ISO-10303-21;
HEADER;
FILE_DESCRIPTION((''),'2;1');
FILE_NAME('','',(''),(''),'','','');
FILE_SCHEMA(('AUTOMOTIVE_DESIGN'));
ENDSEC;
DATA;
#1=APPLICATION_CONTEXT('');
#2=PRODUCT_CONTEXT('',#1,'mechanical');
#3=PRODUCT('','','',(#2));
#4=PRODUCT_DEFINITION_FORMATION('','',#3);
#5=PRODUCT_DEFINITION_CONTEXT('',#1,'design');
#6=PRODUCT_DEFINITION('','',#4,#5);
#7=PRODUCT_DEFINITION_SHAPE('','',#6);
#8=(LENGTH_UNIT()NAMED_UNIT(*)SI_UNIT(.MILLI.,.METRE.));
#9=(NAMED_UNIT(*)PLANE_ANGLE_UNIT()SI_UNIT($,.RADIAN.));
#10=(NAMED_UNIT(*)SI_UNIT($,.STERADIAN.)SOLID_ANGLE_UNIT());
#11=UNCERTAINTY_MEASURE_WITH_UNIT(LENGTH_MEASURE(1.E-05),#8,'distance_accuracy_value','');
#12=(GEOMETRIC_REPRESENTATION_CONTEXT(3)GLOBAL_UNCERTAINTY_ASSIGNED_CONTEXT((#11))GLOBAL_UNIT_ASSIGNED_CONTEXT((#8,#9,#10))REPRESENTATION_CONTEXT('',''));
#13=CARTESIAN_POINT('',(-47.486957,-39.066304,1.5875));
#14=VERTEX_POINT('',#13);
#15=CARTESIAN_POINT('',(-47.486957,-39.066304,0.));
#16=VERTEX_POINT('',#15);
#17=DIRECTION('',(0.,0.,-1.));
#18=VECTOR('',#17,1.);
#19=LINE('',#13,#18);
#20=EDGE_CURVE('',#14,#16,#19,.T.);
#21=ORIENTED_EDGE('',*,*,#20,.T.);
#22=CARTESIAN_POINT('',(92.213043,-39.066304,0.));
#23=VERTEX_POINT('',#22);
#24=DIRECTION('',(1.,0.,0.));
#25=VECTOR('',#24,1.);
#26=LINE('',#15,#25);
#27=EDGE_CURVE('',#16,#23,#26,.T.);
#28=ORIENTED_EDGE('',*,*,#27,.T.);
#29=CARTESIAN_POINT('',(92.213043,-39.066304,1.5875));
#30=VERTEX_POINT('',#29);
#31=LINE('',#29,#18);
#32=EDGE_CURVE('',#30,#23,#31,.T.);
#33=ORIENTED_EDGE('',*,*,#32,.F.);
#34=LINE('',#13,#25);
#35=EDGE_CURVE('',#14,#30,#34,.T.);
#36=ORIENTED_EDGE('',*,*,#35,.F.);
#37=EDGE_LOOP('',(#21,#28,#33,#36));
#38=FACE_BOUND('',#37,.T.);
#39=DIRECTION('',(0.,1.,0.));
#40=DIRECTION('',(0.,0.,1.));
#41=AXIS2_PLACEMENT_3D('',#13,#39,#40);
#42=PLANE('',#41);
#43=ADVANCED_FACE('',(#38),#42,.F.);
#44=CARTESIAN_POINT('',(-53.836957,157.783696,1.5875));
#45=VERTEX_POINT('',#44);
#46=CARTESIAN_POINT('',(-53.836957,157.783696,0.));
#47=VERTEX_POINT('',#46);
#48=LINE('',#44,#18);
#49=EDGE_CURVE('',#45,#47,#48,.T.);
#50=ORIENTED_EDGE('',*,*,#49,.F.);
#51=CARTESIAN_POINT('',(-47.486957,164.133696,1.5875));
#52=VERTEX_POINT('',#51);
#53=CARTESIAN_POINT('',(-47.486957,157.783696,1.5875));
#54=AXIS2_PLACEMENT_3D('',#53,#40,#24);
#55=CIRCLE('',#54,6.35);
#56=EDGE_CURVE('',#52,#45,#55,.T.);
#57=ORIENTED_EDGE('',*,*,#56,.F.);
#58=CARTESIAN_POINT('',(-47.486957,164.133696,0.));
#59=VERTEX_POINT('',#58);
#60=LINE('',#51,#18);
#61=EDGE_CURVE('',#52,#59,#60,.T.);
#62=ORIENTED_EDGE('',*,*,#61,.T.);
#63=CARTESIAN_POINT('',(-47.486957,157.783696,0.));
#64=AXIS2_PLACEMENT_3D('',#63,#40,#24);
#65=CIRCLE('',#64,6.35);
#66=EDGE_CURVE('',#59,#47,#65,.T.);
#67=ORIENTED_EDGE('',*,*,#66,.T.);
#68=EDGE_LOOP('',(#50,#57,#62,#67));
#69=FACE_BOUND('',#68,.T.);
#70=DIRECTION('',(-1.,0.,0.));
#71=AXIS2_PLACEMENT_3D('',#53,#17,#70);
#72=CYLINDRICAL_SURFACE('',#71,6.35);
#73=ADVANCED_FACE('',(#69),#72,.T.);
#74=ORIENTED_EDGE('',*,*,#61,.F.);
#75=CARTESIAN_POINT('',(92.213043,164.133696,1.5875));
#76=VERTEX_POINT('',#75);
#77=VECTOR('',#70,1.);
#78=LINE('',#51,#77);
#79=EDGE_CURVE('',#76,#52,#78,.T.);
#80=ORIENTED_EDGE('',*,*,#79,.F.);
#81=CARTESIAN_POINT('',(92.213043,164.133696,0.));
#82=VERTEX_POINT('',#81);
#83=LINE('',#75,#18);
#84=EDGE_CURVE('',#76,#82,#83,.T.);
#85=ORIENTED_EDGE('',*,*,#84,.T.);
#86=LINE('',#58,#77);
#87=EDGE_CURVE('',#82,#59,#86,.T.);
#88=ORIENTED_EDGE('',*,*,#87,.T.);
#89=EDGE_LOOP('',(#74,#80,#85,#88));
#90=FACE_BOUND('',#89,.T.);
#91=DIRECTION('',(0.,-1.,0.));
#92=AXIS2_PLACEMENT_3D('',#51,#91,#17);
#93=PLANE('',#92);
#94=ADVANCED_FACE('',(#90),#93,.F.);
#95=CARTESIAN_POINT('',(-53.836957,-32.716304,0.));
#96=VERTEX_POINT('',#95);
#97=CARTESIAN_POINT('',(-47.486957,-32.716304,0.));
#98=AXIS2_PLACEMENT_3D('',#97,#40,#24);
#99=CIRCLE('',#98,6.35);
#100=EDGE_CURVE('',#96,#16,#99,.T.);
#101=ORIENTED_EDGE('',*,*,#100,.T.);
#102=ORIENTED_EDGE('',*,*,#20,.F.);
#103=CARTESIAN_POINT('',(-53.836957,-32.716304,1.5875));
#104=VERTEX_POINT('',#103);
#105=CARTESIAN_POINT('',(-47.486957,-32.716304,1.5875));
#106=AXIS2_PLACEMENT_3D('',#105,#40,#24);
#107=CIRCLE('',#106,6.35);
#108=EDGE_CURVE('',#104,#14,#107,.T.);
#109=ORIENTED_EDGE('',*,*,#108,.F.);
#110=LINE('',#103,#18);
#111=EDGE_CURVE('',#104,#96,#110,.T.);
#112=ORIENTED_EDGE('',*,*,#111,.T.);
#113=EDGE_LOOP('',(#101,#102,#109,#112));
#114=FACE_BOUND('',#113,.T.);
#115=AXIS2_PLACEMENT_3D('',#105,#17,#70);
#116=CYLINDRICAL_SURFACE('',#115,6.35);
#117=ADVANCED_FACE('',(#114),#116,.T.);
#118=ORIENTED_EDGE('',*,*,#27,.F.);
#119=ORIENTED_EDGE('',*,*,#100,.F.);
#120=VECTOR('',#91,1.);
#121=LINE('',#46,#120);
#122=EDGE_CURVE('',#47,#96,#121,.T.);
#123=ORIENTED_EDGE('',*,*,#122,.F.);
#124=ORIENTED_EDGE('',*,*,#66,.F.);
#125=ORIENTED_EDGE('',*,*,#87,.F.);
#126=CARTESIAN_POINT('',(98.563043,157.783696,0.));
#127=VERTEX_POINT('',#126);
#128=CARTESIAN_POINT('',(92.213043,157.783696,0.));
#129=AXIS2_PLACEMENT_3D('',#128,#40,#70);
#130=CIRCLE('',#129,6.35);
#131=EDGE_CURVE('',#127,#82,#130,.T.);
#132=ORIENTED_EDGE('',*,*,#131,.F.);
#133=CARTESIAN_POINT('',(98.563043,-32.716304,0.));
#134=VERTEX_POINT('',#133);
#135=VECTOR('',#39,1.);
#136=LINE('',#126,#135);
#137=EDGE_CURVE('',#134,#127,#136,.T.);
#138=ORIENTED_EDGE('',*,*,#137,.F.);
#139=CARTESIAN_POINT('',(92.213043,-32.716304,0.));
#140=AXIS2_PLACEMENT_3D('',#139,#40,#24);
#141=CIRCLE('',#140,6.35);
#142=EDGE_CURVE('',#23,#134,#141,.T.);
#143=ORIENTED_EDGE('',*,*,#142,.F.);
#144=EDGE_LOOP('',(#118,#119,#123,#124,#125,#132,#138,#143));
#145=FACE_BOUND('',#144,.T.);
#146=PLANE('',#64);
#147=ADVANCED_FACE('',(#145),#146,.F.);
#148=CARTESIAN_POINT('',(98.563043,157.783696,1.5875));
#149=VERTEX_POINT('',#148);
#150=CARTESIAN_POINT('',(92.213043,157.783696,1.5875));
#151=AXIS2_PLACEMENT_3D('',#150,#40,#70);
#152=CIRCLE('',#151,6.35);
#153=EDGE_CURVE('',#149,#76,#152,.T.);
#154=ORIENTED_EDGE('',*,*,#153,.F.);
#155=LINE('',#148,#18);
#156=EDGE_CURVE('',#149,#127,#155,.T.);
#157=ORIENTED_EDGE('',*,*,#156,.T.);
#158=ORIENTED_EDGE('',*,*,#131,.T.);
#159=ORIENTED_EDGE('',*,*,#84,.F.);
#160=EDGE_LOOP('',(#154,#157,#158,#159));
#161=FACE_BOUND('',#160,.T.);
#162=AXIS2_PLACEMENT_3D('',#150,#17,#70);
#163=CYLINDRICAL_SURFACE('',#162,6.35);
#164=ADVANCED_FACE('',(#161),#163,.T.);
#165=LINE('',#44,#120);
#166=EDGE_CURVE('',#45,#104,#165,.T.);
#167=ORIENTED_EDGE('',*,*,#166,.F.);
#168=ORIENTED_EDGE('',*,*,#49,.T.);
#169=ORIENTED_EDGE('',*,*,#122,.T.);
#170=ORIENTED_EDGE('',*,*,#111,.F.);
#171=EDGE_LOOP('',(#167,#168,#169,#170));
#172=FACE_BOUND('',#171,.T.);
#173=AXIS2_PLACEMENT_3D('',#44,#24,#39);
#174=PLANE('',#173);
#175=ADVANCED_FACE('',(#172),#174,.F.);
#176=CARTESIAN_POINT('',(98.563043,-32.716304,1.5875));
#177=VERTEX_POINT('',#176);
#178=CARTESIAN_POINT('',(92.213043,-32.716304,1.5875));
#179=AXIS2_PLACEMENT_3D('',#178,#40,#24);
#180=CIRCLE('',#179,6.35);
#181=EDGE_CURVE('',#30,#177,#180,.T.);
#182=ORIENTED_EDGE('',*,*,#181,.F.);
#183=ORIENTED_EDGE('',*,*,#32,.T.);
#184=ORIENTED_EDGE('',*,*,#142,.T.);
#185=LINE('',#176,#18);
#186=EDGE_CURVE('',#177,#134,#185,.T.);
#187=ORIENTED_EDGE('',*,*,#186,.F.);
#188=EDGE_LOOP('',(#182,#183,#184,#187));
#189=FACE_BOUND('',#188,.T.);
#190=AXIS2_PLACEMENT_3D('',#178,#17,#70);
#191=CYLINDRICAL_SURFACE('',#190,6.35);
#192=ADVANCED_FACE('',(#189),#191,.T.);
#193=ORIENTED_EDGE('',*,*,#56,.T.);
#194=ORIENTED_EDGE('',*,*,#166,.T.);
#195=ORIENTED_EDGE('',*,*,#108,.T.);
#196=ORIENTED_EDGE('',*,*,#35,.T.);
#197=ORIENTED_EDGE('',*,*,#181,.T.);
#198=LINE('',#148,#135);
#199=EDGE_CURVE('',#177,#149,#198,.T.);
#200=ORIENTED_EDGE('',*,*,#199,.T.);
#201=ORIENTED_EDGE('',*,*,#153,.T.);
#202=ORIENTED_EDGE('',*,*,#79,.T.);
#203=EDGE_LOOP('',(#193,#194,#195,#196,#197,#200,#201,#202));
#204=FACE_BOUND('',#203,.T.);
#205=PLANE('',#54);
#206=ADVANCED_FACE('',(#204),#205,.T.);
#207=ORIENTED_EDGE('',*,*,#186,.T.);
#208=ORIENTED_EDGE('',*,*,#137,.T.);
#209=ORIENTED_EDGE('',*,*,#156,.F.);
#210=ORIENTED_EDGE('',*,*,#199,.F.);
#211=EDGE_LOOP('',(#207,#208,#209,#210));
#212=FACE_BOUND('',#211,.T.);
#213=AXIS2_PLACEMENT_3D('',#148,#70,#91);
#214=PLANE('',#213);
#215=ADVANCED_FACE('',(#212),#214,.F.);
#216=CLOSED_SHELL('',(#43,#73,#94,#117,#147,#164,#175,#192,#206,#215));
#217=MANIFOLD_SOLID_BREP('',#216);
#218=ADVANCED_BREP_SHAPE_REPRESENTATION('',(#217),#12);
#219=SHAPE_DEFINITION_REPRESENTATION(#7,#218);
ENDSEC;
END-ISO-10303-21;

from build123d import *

# Parameters (mm, degrees)
BOSS_EXTRUDE1_DEPTH = 1.5875


with BuildPart() as part:
    # Sketch1 → Boss-Extrude1 (new body)
    with BuildSketch(Plane.XY):
        with BuildLine():
            Line((-47.486956522, 164.133695652), (92.213043478, 164.133695652))
            ThreePointArc((92.213043478, 164.133695652), (96.703171539, 162.273823713), (98.563043478, 157.783695652))
            Line((98.563043478, 157.783695652), (98.563043478, -32.716304348))
            ThreePointArc((98.563043478, -32.716304348), (96.703171539, -37.206432408), (92.213043478, -39.066304348))
            Line((92.213043478, -39.066304348), (-47.486956522, -39.066304348))
            ThreePointArc((-47.486956522, -39.066304348), (-51.977084582, -37.206432408), (-53.836956522, -32.716304348))
            Line((-53.836956522, -32.716304348), (-53.836956522, 157.783695652))
            ThreePointArc((-53.836956522, 157.783695652), (-51.977084582, 162.273823713), (-47.486956522, 164.133695652))
        make_face()
    extrude(amount=BOSS_EXTRUDE1_DEPTH)


solid = part.part
